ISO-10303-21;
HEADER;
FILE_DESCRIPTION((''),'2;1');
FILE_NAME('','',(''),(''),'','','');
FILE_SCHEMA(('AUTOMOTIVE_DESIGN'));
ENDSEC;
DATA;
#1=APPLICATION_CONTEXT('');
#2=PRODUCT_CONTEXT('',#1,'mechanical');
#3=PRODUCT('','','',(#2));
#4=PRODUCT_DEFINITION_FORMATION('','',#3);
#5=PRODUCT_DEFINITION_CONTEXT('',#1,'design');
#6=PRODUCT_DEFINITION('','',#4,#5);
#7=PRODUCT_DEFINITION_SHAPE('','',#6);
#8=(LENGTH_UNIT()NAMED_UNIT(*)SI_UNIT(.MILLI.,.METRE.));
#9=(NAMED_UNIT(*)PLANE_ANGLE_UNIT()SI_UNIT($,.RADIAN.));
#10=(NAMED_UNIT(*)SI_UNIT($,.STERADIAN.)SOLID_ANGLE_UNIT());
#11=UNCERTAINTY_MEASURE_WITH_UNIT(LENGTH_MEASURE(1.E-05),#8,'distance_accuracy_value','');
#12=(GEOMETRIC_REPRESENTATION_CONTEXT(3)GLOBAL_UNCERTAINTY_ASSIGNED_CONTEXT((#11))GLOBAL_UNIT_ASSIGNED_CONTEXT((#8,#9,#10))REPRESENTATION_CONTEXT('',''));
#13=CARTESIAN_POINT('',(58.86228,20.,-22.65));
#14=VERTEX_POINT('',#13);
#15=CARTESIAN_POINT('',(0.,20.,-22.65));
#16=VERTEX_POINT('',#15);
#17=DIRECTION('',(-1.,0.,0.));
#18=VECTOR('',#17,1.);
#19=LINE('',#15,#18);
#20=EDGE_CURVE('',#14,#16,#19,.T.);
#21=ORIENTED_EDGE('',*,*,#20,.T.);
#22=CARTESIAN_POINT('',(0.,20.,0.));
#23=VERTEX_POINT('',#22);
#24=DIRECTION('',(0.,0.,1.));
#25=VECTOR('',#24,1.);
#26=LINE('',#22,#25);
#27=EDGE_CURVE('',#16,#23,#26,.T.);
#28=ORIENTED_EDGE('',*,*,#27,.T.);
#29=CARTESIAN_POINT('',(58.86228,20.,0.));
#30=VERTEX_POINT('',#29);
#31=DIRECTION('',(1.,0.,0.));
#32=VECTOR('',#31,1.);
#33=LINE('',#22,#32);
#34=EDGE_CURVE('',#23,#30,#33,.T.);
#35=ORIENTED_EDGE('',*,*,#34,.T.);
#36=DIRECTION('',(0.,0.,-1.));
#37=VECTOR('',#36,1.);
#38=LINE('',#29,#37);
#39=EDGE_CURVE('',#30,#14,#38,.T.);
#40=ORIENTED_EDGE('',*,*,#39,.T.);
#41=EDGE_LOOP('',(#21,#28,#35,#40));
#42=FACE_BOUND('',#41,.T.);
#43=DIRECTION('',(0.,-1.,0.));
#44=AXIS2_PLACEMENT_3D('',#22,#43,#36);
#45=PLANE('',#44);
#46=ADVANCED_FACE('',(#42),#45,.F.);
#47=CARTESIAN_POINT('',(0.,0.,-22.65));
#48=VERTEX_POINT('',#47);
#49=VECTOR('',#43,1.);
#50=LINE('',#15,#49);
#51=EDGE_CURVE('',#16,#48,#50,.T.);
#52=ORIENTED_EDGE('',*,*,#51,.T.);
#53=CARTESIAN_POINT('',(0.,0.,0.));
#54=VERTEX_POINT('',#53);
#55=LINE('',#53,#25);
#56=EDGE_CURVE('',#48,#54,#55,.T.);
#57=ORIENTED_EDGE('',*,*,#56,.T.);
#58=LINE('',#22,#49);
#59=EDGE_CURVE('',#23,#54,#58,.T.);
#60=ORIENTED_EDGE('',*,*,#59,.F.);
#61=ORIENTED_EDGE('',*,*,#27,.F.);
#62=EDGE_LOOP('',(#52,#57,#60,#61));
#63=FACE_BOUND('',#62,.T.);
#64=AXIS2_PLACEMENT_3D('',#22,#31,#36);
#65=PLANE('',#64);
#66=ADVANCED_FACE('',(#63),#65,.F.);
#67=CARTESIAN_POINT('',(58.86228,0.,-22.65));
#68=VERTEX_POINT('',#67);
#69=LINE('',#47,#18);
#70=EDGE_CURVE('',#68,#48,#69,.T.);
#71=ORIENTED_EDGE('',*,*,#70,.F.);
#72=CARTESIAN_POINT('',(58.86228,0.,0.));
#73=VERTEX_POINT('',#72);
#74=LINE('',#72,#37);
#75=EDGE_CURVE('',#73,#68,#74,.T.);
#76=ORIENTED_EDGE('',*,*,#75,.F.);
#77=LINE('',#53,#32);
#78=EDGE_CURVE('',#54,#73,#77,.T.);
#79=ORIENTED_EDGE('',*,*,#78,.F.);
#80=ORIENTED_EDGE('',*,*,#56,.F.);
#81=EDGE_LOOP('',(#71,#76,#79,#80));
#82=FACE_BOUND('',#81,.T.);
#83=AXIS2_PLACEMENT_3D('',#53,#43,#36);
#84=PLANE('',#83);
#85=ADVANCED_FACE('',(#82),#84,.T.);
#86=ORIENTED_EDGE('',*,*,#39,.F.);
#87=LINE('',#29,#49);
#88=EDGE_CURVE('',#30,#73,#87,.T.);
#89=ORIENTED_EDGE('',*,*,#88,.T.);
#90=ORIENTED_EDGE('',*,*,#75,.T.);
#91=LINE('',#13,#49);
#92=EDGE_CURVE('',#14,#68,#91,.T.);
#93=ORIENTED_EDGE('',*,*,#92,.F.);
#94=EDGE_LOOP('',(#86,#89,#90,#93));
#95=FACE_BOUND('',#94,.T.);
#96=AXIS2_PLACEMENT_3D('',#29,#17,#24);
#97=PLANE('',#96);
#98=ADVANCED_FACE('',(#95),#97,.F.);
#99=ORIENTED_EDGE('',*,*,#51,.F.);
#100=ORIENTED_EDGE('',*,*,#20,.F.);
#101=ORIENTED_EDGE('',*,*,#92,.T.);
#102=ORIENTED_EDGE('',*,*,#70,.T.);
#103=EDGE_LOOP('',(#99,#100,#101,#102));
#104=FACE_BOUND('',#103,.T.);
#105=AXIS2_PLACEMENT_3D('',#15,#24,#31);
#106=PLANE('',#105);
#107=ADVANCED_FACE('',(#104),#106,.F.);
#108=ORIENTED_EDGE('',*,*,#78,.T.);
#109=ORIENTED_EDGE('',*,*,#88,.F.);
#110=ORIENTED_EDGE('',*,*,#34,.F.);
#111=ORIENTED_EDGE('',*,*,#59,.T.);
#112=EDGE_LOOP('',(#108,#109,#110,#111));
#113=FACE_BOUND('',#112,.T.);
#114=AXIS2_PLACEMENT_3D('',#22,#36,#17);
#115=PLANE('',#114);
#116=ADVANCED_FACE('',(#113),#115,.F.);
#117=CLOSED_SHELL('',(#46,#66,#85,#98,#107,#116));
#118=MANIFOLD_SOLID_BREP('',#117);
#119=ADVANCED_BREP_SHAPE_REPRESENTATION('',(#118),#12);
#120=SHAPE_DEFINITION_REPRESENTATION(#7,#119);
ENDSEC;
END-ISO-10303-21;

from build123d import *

# Parameters (mm, degrees)
SKETCH_1_W      = 58.86228
SKETCH_1_H      = 22.65
EXTRUDE_1_DEPTH = 20


with BuildPart() as part:
    # 草图1 → 凸台-拉伸1 (new body)
    with BuildSketch(Plane(origin=(0, 0, 0), x_dir=(1, 0, 0), z_dir=(0, 1, 0))):
        with Locations((29.43114, 11.325)):
            Rectangle(SKETCH_1_W, SKETCH_1_H)
    extrude(amount=EXTRUDE_1_DEPTH)


solid = part.part
